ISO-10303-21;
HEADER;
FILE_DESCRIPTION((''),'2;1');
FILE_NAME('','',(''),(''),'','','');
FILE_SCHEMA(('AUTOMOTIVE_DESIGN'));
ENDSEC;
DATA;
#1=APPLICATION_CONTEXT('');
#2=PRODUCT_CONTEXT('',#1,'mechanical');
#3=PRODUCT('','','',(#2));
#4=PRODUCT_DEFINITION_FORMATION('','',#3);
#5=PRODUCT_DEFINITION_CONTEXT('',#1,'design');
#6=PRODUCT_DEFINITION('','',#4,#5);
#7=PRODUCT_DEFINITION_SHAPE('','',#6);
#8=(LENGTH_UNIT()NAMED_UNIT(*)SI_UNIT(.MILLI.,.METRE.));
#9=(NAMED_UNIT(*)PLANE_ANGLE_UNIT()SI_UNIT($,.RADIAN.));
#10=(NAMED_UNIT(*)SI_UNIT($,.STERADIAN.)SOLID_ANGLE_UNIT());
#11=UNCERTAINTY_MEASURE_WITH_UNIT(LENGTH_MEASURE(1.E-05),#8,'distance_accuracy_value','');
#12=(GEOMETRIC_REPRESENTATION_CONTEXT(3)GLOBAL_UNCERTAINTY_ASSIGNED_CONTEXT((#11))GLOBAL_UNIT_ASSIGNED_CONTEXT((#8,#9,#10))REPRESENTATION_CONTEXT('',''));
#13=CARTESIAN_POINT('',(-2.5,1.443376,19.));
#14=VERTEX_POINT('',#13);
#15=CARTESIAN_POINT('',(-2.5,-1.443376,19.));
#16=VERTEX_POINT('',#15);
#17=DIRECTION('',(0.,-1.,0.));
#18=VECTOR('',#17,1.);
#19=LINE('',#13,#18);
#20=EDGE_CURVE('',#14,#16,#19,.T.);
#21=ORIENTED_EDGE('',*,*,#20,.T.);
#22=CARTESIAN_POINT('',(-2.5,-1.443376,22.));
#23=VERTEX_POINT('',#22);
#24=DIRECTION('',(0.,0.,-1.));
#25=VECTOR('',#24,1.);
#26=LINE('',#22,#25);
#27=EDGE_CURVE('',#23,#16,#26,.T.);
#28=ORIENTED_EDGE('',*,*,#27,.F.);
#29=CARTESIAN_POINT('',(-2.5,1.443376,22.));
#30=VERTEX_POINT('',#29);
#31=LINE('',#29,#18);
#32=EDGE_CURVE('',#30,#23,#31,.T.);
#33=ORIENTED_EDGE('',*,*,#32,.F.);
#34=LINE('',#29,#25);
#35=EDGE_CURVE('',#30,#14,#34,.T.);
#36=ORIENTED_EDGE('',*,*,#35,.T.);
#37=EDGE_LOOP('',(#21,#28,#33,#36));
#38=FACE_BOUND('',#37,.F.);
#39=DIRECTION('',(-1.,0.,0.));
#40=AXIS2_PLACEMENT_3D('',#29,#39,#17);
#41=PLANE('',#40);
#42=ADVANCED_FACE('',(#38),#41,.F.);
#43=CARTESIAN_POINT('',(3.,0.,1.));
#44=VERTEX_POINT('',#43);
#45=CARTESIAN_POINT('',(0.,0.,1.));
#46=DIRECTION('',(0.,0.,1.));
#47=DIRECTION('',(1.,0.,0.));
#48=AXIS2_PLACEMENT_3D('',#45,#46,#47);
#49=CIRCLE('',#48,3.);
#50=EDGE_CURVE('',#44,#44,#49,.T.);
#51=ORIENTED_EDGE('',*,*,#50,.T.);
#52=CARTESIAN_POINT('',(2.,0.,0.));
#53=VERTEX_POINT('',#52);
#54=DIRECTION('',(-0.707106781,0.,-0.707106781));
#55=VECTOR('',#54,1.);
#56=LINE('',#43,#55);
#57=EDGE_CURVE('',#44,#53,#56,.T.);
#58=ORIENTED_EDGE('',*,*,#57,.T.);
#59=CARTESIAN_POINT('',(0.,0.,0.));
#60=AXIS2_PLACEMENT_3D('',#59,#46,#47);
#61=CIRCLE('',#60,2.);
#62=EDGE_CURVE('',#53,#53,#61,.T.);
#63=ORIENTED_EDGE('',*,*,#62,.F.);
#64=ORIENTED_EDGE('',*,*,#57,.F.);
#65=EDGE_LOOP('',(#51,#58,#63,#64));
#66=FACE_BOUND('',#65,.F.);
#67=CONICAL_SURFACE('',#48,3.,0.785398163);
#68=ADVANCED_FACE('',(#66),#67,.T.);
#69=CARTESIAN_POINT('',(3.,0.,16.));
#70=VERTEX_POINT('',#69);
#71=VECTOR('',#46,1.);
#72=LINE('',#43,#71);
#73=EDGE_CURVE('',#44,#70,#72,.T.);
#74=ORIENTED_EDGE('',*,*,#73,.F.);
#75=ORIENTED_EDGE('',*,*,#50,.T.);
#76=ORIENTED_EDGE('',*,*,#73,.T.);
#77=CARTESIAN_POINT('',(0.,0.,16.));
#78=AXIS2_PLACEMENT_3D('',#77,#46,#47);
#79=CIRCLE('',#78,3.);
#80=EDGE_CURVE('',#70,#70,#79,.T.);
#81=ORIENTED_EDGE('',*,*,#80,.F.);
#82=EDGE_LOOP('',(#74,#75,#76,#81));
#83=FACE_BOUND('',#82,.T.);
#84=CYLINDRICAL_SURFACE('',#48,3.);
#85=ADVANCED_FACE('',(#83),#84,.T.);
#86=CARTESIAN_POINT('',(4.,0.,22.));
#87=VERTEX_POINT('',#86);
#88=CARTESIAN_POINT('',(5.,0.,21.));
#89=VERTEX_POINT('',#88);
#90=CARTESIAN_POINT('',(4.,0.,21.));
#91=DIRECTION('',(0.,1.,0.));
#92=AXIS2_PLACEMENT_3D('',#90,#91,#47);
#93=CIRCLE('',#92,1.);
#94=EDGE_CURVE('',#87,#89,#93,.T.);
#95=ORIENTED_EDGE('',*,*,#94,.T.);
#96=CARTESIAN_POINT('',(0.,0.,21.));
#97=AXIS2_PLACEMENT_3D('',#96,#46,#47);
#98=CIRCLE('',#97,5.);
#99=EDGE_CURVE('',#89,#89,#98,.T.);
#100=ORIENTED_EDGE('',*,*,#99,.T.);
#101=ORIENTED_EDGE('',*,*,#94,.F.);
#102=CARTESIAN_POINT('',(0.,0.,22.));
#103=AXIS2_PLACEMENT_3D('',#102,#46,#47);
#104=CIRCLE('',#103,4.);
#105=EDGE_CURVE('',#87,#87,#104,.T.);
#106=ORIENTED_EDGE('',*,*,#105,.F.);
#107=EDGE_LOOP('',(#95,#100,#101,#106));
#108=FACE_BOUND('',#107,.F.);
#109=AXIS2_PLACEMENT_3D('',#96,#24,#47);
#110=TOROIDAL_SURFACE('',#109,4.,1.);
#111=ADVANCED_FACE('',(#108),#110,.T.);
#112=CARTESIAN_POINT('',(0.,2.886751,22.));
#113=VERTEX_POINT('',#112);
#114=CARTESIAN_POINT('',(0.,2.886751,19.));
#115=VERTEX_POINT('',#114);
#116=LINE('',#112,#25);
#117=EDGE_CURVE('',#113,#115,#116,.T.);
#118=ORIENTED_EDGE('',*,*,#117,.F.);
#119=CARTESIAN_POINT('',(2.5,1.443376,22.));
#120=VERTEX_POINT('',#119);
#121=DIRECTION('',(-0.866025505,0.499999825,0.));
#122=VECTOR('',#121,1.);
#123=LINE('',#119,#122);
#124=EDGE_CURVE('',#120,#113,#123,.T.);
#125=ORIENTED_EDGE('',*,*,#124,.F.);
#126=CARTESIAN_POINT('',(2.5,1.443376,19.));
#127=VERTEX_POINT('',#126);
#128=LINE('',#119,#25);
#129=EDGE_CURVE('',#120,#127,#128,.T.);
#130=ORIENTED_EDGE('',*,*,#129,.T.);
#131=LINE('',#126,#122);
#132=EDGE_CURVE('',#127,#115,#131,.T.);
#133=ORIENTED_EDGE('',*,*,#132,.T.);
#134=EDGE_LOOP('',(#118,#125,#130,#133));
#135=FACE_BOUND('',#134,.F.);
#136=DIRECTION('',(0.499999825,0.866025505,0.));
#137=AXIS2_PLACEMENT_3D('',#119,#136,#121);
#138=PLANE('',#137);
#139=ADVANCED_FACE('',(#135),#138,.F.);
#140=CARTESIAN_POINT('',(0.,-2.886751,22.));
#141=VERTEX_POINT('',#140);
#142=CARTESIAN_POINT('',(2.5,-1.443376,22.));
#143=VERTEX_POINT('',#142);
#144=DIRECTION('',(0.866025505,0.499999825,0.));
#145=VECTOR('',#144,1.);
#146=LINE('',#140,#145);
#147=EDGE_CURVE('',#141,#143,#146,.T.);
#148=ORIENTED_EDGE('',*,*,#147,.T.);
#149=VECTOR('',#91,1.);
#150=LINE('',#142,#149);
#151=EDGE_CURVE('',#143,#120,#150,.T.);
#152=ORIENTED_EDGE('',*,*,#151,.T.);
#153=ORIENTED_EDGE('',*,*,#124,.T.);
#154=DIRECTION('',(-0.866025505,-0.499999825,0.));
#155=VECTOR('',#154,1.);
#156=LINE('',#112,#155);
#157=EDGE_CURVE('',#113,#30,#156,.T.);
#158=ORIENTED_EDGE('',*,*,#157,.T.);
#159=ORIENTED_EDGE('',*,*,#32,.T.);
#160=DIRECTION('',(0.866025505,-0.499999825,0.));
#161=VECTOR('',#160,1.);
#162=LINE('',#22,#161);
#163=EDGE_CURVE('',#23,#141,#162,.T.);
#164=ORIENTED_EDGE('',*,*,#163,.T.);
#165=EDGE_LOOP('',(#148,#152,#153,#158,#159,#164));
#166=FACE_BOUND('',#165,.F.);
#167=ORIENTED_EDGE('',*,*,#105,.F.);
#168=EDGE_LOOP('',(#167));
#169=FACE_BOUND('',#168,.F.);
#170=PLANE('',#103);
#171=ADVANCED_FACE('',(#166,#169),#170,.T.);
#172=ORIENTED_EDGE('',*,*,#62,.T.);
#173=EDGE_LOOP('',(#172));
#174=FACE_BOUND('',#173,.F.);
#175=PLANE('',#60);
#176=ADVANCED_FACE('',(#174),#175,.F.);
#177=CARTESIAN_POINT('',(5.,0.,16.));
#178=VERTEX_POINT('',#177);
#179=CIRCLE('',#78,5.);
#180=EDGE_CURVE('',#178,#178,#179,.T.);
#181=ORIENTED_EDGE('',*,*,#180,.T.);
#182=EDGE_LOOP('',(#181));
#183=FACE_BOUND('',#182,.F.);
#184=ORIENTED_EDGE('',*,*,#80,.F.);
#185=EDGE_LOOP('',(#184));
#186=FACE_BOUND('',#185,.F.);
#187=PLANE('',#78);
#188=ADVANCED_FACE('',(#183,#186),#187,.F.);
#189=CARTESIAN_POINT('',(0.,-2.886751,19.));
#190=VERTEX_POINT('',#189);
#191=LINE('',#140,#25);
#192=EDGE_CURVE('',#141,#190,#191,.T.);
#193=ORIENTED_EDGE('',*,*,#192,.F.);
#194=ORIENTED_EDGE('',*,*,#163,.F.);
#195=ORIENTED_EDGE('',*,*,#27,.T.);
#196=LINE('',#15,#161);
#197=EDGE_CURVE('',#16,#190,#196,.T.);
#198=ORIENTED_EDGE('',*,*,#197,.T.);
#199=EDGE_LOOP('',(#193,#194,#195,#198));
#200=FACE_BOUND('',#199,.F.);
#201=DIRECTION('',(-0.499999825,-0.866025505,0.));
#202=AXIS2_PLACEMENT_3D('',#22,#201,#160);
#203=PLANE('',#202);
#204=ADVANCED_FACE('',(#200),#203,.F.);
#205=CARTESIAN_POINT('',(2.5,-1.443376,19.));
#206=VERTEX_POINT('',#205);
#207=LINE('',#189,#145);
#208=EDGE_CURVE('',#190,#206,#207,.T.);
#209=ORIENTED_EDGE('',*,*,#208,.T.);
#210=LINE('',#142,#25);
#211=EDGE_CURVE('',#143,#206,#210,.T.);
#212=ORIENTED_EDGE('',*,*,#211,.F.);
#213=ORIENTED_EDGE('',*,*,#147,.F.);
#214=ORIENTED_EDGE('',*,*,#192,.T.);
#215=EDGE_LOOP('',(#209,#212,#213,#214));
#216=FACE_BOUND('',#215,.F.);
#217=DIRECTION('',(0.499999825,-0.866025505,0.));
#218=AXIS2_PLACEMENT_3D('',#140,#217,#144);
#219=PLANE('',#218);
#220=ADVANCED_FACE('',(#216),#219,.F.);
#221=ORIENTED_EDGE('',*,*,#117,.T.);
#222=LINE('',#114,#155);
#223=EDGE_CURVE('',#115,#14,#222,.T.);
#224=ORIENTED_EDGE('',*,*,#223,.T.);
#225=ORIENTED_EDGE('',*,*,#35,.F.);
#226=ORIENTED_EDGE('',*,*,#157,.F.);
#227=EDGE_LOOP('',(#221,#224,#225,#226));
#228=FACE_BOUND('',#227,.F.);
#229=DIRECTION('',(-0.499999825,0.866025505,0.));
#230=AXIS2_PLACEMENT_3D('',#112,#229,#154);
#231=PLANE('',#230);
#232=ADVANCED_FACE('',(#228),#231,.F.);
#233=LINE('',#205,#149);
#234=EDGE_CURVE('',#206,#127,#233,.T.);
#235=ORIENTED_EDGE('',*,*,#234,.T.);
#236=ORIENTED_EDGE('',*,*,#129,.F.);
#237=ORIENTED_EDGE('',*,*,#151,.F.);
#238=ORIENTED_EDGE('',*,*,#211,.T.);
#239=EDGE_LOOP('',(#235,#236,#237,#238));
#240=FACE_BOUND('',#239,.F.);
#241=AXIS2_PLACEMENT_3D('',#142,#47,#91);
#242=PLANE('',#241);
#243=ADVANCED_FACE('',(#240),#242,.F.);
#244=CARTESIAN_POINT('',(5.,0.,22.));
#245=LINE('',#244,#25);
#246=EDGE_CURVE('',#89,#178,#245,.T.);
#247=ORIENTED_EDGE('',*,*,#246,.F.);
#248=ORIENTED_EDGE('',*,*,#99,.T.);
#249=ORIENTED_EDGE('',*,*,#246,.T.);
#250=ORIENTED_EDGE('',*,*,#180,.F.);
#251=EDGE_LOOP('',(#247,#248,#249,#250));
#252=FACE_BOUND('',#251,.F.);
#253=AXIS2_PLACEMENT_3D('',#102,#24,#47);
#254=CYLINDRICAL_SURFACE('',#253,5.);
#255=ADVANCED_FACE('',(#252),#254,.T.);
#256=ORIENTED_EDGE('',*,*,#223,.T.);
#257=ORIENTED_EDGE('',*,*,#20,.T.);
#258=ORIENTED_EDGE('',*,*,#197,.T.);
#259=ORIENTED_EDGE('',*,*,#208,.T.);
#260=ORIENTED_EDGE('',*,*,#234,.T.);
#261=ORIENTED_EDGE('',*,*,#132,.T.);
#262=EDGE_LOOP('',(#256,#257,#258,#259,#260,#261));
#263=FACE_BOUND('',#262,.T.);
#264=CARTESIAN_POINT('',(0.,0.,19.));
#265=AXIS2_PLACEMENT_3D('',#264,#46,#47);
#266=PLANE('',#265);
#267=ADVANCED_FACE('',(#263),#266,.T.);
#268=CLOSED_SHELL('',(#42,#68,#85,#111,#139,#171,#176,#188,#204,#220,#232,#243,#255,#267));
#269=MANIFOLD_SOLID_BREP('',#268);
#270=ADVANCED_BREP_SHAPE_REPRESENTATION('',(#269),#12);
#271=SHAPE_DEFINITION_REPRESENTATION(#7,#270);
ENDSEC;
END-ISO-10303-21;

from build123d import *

# Parameters (mm, degrees)
FILLET_R     = 1
POCKET_DEPTH = 3


with BuildPart() as part:
    # Sketch → Revolution (revolve)
    with BuildSketch(Plane.XZ):
        Polygon((0, 0), (0, 22), (5, 22), (5, 16), (3, 16), (3, 12), (3, 1), (2, 0), align=None)
    revolve(axis=Axis((0, 0, 0), (0, 0, 1)))

    # Fillet
    fillet_edges = [part.edges().sort_by_distance(p)[0] for p in [
        (-5, 0, 22),
    ]]
    fillet(fillet_edges, radius=FILLET_R)

    # Sketch001 (on DatumPlane) → Pocket (cut)
    with BuildSketch(Plane.XY.offset(22)):
        Polygon((2.5, 1.443376), (0, 2.886751), (-2.5, 1.443376), (-2.5, -1.443376), (0, -2.886751), (2.5, -1.443376), align=None)
    extrude(amount=-POCKET_DEPTH, mode=Mode.SUBTRACT)


solid = part.part
